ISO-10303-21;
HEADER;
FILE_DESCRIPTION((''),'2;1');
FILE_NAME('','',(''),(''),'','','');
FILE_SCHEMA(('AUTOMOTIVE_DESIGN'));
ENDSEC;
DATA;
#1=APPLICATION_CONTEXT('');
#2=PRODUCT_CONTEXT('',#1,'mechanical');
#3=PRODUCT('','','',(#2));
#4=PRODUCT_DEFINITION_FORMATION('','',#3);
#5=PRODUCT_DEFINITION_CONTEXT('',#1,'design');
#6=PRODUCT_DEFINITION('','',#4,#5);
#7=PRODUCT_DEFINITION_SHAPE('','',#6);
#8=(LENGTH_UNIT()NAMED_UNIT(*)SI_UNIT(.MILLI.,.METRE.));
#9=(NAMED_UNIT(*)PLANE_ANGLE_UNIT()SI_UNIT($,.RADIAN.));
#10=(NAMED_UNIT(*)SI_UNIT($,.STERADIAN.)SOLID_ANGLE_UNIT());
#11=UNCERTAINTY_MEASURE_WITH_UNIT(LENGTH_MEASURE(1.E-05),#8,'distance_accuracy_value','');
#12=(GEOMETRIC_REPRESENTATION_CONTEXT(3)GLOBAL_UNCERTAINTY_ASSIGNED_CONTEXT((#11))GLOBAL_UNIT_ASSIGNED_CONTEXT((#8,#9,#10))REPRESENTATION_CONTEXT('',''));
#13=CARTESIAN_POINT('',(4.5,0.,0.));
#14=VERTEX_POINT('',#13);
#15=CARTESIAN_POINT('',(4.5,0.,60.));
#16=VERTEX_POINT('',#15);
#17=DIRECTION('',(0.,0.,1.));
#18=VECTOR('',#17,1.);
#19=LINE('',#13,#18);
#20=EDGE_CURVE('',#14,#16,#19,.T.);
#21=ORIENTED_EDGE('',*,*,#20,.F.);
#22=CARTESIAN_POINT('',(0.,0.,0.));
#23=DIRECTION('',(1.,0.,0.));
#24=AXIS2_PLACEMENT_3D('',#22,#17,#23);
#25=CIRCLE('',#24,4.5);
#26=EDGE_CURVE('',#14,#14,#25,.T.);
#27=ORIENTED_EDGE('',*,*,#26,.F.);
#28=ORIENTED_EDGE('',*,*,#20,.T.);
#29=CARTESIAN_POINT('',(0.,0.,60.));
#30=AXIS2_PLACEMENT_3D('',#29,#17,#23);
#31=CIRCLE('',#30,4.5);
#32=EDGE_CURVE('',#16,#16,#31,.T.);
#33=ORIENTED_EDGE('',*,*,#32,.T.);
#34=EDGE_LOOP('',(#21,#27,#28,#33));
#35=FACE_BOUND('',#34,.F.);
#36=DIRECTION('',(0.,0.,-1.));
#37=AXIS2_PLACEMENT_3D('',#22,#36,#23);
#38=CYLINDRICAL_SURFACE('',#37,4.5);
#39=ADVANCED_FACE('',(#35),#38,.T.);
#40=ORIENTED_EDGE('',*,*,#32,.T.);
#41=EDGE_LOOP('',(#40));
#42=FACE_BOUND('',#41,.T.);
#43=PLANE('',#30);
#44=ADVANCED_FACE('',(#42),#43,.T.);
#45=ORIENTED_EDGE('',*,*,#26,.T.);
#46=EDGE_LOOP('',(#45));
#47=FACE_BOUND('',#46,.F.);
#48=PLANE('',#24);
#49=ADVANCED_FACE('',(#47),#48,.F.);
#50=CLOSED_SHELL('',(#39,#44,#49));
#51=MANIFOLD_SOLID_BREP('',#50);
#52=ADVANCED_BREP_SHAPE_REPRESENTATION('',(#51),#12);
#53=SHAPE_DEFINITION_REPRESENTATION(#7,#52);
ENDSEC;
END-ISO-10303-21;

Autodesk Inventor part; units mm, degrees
ref_plane "YZ Plane" through (0, 0, 0) normal (1, 0, 0) x (0, 1, 0)
ref_plane "XZ Plane" through (0, 0, 0) normal (0, 1, 0) x (-1, 0, 0)
ref_plane "XY Plane" through (0, 0, 0) normal (0, 0, 1) x (1, 0, 0)
sketch "Boceto1" plane through (0, 0, 0) normal (0, 0, 1) x (1, 0, 0)
  circle A0 centre (0, 0) radius 4.5
  dimension "d0" = 9
extrude "Extrusión1" add sketch "Boceto1" along normal blind 60
properties part number "Eje"
